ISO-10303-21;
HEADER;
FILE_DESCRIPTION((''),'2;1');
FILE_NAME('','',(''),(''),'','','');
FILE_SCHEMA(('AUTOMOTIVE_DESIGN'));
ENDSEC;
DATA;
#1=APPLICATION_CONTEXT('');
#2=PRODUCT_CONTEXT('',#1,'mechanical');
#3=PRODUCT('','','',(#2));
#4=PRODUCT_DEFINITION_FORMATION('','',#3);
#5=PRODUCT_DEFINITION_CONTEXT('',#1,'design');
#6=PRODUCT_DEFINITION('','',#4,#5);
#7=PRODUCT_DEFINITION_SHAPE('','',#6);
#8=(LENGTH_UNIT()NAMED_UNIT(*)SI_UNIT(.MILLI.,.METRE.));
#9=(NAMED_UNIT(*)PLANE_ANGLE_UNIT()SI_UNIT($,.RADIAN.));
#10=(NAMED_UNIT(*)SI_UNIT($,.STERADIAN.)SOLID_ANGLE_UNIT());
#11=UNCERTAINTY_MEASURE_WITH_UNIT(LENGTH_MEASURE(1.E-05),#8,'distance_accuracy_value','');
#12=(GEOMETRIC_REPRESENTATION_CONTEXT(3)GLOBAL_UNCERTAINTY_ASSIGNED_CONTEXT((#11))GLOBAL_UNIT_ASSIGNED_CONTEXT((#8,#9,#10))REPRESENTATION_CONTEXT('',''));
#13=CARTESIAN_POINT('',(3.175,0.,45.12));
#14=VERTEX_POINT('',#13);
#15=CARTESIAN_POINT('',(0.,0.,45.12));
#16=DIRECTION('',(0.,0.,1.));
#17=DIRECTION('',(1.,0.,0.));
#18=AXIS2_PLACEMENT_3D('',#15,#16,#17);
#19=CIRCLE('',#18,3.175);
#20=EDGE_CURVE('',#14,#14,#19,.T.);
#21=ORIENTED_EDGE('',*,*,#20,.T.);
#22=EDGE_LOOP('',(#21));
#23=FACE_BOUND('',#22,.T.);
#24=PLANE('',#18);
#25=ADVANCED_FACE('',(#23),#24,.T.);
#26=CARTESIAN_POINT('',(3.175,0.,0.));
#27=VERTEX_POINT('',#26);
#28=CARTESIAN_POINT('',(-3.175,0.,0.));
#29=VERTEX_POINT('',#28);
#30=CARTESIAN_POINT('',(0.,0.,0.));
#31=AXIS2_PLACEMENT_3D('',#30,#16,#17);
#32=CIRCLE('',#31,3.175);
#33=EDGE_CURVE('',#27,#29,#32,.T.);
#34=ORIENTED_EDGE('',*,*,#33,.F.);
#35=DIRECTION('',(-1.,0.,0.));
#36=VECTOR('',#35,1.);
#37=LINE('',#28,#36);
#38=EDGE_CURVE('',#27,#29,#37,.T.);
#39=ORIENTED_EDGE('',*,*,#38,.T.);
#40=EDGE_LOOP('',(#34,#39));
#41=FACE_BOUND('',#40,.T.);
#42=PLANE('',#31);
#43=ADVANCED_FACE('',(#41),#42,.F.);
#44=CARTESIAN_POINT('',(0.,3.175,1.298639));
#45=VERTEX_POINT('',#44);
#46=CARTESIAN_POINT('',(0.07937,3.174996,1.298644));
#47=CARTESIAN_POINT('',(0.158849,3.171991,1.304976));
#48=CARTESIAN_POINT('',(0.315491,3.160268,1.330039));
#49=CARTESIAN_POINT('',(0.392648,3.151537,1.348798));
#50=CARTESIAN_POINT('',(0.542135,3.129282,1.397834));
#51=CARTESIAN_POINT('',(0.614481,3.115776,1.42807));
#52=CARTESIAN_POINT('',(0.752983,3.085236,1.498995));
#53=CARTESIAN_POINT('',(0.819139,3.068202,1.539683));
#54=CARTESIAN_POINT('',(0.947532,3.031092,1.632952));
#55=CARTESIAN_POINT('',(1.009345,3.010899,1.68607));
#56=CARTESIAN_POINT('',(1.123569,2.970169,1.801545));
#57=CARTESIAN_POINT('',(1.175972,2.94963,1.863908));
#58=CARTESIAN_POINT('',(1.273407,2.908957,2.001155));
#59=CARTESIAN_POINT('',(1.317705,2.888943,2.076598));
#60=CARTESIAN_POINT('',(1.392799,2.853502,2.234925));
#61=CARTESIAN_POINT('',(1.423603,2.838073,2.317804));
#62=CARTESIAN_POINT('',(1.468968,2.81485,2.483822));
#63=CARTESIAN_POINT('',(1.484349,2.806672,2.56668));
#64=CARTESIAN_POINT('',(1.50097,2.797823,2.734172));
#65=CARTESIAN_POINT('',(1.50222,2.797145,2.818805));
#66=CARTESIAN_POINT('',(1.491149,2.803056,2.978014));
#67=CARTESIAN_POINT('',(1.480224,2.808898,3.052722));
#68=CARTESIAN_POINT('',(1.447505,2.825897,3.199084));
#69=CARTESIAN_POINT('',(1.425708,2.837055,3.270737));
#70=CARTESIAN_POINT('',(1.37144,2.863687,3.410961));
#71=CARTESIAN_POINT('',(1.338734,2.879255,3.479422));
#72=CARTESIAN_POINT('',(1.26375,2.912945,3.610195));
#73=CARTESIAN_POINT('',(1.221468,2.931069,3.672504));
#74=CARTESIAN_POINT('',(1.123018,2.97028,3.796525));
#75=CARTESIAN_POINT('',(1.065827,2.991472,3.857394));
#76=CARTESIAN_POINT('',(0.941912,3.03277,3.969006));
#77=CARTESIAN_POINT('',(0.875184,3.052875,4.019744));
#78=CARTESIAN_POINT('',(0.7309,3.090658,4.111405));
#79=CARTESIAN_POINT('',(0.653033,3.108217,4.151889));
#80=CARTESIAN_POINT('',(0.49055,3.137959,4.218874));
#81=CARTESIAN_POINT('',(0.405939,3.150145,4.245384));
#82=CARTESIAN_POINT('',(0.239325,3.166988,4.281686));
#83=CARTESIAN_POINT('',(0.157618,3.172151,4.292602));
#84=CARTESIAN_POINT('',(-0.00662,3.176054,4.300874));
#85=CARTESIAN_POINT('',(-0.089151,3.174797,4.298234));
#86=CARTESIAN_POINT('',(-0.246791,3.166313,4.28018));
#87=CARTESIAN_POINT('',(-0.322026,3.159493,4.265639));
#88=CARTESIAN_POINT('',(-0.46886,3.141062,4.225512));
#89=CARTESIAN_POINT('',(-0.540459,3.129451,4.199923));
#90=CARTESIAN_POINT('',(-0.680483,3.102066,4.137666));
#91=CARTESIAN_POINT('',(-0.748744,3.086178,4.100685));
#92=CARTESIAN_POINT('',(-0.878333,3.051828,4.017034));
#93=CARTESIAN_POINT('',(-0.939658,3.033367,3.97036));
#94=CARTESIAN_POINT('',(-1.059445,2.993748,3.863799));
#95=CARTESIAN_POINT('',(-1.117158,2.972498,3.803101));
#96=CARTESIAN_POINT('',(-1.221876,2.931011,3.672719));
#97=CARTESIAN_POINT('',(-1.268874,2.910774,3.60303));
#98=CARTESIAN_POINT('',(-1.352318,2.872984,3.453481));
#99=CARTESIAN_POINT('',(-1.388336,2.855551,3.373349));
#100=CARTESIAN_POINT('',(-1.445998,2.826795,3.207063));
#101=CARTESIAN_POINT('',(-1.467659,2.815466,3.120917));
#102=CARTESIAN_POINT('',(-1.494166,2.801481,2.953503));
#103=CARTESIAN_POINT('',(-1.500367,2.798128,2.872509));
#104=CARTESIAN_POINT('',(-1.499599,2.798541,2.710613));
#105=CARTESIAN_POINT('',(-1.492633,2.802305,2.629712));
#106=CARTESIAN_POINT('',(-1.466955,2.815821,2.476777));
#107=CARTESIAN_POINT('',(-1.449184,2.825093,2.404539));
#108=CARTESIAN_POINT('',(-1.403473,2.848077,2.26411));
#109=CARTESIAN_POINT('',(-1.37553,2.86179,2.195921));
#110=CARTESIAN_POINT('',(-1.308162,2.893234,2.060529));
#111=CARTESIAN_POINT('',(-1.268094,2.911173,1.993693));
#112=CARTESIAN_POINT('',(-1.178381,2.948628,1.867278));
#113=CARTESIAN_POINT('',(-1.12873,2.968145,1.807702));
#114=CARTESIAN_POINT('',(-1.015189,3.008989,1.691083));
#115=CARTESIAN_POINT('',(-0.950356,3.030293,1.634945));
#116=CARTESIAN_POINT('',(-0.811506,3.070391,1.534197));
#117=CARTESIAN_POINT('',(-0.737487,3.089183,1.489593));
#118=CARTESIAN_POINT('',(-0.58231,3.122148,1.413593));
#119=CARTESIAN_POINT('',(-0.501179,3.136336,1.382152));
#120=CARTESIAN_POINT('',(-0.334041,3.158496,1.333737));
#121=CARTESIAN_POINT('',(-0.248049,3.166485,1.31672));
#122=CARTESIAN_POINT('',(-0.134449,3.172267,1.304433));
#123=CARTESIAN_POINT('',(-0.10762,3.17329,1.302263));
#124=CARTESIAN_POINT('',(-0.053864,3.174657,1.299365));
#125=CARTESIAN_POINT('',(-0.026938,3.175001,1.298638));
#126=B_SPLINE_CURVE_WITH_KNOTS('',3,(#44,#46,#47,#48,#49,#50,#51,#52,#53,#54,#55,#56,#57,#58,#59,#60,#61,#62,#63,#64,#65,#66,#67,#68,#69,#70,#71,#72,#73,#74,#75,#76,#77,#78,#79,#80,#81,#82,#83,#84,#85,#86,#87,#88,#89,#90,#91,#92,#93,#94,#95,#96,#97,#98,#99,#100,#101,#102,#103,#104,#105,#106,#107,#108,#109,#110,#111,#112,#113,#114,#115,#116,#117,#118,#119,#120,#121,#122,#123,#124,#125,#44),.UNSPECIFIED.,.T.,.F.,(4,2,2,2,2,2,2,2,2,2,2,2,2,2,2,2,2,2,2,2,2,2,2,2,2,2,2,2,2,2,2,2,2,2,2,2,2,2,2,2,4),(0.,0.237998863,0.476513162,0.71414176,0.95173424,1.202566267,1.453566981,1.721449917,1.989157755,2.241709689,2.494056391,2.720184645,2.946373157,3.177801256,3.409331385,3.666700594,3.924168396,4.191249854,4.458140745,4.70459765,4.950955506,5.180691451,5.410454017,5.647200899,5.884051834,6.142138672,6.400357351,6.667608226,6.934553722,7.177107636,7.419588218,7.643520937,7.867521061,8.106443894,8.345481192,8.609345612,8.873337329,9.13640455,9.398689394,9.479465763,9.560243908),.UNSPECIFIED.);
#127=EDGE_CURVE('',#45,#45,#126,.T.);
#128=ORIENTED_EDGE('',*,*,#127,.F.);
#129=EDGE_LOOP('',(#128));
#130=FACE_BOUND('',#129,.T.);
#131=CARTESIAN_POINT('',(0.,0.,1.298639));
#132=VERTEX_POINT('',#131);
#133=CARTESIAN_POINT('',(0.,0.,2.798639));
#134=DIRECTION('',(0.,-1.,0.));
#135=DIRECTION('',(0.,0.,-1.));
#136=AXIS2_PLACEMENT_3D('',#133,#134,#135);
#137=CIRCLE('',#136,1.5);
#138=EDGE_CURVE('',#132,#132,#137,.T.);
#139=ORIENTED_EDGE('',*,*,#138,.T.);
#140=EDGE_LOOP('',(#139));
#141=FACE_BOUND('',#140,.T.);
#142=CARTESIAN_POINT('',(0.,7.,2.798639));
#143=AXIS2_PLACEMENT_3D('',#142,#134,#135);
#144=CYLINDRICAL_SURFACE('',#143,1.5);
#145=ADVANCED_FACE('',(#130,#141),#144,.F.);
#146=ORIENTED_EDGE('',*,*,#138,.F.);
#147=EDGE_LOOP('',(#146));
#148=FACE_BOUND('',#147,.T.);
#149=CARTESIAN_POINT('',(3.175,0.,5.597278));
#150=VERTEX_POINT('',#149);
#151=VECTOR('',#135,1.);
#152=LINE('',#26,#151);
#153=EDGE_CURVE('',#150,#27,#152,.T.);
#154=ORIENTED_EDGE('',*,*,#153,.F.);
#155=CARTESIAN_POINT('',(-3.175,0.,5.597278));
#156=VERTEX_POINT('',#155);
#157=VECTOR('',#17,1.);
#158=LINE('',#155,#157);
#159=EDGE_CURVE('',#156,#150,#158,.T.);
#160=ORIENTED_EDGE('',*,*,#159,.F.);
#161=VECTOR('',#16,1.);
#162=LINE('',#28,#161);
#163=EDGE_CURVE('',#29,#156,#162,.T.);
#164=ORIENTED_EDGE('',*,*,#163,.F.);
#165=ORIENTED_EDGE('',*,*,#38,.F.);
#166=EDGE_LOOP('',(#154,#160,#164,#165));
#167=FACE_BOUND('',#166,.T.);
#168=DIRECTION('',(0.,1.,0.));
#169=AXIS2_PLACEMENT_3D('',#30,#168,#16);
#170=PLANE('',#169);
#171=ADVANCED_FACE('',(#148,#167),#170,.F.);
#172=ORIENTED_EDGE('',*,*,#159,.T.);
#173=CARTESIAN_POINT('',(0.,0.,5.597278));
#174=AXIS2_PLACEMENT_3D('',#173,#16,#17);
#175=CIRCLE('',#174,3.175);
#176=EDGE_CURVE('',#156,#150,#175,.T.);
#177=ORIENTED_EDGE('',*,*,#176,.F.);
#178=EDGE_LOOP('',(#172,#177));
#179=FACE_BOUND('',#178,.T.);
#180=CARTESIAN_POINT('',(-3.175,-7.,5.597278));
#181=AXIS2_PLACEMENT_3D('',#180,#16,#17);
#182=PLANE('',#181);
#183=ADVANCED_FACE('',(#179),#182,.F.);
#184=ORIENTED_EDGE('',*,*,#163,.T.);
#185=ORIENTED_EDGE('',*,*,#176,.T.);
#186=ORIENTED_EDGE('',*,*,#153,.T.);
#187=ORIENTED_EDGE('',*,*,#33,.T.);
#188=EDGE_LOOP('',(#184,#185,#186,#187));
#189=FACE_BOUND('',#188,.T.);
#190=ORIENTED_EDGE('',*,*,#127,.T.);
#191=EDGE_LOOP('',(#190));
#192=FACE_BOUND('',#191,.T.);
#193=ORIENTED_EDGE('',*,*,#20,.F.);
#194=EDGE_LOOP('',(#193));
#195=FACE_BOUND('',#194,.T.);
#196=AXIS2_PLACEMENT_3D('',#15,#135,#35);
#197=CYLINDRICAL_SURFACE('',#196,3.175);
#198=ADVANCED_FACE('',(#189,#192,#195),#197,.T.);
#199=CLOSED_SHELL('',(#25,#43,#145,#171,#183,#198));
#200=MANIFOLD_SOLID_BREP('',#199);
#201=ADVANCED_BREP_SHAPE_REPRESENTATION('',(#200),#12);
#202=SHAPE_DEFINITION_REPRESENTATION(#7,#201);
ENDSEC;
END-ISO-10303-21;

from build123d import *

# Parameters (mm, degrees)
SKETCH1_R           = 3.175
BOSS_EXTRUDE1_DEPTH = 45.12
SKETCH2_W           = 6.35
SKETCH2_H           = 5.59727822
CUT_EXTRUDE1_DEPTH  = 7
SKETCH3_R           = 1.5
CUT_EXTRUDE2_DEPTH  = 7


with BuildPart() as part:
    # Sketch1 → Boss-Extrude1 (new body)
    with BuildSketch(Plane.XY):
        Circle(SKETCH1_R)
    extrude(amount=BOSS_EXTRUDE1_DEPTH)

    # Sketch2 → Cut-Extrude1 (cut)
    with BuildSketch(Plane(origin=(0, 0, 0), x_dir=(1, 0, 0), z_dir=(0, 1, 0))):
        with Locations((0, -2.79863911)):
            Rectangle(SKETCH2_W, SKETCH2_H)
    extrude(amount=-CUT_EXTRUDE1_DEPTH, mode=Mode.SUBTRACT)

    # Sketch3 → Cut-Extrude2 (cut)
    with BuildSketch(Plane.XZ):
        with Locations((0, 2.79863911)):
            Circle(SKETCH3_R)
    extrude(amount=-CUT_EXTRUDE2_DEPTH, mode=Mode.SUBTRACT)


solid = part.part
